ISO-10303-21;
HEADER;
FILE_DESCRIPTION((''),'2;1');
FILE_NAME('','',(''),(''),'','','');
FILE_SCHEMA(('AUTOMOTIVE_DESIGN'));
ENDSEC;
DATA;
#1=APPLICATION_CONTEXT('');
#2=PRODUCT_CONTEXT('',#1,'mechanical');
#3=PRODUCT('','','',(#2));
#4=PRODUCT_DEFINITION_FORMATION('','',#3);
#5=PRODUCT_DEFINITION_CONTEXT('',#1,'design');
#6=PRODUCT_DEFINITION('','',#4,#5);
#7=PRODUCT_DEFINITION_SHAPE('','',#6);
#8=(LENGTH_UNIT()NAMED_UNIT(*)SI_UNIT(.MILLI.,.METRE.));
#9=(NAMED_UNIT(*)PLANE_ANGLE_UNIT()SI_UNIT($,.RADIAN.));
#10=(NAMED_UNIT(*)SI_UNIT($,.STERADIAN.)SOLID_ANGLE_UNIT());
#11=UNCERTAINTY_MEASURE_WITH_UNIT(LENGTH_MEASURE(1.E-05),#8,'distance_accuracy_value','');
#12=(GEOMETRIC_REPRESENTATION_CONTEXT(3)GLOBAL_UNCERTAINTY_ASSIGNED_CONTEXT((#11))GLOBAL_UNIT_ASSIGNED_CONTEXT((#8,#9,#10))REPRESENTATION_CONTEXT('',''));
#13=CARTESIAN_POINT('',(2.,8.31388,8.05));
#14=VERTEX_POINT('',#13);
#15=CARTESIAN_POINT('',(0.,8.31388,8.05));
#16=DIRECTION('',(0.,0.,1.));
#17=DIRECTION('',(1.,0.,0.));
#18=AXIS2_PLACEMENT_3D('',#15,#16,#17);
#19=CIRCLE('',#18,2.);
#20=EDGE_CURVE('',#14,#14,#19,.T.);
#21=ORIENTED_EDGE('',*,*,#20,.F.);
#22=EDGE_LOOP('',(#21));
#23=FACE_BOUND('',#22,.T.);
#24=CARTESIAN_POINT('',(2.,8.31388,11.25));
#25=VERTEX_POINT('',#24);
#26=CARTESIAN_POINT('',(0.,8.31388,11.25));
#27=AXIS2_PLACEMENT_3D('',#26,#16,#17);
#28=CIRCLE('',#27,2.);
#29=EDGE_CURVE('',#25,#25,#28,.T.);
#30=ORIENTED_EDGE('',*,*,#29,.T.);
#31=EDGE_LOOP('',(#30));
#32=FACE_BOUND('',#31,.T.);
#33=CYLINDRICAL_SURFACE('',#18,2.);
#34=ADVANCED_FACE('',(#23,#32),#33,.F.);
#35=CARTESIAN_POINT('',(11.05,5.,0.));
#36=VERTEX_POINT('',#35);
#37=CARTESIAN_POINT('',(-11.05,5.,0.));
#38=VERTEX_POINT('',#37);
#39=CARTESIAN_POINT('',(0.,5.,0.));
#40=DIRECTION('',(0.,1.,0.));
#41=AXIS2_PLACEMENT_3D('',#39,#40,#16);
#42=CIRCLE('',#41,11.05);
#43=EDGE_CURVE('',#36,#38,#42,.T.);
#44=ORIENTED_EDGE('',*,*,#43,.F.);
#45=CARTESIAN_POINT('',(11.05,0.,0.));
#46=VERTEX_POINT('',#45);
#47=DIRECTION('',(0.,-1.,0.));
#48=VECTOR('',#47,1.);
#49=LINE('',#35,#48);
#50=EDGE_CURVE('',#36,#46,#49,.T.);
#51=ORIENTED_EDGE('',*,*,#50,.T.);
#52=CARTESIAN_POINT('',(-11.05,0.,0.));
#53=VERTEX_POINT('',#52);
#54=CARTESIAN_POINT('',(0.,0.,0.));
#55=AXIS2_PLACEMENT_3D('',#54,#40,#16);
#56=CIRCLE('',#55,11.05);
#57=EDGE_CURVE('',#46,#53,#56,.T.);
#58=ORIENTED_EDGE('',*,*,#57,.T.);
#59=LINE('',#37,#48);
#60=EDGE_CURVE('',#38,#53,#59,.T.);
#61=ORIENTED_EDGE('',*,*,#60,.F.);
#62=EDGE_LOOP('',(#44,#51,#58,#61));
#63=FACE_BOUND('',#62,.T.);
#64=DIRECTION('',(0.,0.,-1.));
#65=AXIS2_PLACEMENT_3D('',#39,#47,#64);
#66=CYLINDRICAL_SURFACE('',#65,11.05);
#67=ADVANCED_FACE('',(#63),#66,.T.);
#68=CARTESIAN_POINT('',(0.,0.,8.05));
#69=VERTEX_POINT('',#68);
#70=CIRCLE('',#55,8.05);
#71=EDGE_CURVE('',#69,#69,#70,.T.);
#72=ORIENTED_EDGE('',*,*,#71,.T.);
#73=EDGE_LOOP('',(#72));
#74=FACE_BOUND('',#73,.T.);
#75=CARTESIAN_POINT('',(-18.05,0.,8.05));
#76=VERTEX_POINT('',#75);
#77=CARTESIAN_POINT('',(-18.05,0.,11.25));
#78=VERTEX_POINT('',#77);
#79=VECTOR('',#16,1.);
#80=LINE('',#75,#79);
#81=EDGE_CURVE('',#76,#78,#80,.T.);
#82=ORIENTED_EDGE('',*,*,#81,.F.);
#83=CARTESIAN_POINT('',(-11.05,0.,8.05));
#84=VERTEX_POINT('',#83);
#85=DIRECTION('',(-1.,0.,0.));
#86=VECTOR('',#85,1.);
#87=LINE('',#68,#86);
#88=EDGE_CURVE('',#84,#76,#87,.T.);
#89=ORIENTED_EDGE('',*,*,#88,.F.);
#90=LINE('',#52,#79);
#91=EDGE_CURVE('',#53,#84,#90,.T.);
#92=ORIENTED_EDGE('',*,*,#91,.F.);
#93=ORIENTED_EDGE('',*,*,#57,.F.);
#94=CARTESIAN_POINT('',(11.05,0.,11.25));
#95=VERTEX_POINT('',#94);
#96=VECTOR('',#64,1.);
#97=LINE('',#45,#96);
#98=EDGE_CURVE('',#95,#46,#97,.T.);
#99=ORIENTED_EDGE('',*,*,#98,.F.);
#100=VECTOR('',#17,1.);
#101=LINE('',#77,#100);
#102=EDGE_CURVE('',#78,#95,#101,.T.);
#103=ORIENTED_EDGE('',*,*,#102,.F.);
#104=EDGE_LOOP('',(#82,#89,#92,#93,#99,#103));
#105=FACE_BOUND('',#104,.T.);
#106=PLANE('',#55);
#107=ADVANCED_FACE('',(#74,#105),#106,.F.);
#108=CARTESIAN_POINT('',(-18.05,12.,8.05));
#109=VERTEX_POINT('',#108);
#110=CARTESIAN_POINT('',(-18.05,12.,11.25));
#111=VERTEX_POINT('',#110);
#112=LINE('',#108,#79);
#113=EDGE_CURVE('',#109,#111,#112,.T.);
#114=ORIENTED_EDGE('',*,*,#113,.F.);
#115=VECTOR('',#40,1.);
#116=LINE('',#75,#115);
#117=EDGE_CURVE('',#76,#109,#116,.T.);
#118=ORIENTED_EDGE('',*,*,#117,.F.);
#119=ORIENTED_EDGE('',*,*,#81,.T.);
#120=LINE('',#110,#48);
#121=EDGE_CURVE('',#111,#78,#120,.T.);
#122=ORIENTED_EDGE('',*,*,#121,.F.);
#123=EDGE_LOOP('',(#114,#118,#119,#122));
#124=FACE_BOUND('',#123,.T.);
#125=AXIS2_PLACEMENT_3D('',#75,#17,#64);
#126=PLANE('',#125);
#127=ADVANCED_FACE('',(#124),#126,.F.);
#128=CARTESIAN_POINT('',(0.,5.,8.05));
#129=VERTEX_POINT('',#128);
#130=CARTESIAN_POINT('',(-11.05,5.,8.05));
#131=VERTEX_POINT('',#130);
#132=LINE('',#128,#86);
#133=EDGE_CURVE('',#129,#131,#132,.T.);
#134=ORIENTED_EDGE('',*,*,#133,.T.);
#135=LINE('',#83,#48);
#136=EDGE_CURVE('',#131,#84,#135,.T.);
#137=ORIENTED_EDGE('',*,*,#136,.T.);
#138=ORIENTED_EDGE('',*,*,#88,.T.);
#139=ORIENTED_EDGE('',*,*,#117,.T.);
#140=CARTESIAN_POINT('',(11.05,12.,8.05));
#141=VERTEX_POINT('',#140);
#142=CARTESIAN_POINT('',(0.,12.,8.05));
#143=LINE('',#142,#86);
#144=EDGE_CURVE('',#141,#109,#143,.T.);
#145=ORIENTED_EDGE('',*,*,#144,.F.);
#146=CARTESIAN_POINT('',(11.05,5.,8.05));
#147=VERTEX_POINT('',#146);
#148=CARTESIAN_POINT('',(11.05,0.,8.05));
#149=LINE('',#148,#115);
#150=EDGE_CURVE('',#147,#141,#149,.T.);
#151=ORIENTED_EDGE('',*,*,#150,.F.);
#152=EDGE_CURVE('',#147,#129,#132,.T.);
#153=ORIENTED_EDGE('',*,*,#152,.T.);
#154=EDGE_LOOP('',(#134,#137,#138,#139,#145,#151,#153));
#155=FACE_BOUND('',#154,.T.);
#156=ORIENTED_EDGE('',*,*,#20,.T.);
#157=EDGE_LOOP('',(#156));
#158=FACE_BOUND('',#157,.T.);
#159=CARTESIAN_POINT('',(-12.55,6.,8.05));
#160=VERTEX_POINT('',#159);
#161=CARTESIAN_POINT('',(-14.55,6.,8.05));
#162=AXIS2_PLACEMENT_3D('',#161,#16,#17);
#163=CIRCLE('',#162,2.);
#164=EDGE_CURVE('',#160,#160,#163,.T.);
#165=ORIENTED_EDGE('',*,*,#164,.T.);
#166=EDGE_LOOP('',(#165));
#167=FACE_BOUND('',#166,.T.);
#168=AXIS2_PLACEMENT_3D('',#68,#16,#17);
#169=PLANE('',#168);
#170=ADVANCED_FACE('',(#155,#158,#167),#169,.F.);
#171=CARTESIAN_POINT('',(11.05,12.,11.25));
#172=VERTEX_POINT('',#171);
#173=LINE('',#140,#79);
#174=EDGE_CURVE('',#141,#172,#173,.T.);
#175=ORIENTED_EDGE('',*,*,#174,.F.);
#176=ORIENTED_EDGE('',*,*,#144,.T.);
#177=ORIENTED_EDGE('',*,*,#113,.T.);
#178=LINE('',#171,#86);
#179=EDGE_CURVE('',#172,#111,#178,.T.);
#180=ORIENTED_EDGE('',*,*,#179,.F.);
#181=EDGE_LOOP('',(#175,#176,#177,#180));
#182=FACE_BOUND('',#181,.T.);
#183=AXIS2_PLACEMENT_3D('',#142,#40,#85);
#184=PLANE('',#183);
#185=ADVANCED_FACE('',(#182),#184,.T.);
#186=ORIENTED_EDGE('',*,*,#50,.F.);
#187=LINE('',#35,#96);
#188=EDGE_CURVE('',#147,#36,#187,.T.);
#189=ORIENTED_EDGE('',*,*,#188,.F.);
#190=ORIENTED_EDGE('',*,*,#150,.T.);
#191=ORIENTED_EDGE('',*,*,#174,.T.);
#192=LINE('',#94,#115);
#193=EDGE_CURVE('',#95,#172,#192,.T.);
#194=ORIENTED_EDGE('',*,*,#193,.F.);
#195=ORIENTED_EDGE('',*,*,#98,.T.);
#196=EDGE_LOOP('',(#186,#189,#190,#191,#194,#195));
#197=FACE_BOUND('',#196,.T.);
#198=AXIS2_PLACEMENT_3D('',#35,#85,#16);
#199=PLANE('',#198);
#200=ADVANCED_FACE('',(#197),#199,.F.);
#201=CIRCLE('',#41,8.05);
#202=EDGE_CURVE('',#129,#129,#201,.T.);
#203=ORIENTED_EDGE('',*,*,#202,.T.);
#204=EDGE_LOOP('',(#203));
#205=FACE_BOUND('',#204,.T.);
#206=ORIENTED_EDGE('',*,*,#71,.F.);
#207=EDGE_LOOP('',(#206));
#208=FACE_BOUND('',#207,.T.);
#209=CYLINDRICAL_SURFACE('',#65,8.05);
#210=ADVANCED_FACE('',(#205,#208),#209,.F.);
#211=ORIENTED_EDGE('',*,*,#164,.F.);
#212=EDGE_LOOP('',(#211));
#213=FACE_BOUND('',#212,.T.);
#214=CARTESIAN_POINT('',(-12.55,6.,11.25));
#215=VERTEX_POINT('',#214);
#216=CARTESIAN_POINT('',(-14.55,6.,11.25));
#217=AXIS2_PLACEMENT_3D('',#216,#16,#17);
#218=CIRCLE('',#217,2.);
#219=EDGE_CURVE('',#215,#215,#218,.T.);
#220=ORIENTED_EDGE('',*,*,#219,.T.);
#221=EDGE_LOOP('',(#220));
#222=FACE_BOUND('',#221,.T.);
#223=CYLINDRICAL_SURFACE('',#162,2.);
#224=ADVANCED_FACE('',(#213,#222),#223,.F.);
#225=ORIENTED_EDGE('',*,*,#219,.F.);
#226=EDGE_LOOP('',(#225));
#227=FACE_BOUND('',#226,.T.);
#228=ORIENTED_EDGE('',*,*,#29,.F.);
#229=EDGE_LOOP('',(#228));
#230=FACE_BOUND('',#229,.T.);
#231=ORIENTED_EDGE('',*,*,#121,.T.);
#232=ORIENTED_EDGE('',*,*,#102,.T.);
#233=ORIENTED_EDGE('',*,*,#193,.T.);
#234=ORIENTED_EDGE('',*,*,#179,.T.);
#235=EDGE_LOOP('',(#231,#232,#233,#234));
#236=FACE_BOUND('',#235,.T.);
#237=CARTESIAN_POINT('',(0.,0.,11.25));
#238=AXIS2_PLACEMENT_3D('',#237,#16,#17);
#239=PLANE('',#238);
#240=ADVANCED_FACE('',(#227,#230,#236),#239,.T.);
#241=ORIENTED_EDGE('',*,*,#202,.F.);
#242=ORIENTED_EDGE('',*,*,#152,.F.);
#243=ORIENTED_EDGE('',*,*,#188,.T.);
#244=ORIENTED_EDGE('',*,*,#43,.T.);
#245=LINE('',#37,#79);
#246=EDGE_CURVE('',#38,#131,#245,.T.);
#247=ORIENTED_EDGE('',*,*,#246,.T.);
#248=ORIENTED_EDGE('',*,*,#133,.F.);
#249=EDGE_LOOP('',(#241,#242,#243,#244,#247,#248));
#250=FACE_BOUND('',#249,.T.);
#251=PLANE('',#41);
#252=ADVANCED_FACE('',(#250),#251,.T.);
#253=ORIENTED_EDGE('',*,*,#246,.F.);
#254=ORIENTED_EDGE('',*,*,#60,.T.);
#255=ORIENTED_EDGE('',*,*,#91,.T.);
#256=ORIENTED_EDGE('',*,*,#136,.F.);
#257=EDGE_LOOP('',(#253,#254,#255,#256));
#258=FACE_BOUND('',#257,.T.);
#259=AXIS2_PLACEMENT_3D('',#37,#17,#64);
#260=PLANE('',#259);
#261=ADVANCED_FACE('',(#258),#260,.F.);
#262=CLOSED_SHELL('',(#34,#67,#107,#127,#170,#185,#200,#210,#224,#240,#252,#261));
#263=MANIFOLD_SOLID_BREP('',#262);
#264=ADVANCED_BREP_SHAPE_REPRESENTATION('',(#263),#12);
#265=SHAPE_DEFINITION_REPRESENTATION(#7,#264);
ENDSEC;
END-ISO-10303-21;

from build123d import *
from build123d.topology import SkipClean

# Parameters (mm, degrees)
SKETCH1_R           = 8.05
BOSS_EXTRUDE1_DEPTH = 5
BOSS_EXTRUDE2_DEPTH = 3
BOSS_EXTRUDE3_START = 0.2
SKETCH4_W           = 29.1
SKETCH4_H           = 12
SKETCH4_R           = 2
BOSS_EXTRUDE3_DEPTH = 0.2


with BuildPart() as part:
    # Sketch1 → Boss-Extrude1 (new body)
    with BuildSketch(Plane(origin=(0, 0, 0), x_dir=(1, 0, 0), z_dir=(0, 1, 0))):
        with BuildLine():
            Line((11.05, 0), (11.05, -11.05))
            Line((11.05, -11.05), (0, -11.05))
            Line((0, -11.05), (-11.05, -11.05))
            Line((-11.05, -11.05), (-11.05, 0))
            ThreePointArc((-11.05, 0), (0, 11.05), (11.05, 0))
        make_face()
        with Locations(Location((0, 0, 0), (0, 0, 270))):
            Circle(SKETCH1_R, mode=Mode.SUBTRACT)
    extrude(amount=BOSS_EXTRUDE1_DEPTH)

    # Sketch2 → Boss-Extrude2 (add)
    with BuildSketch(Plane.XY.offset(11.05)):
        with BuildLine():
            Line((-11.05, 0), (-11.05, 5))
            Line((-11.05, 5), (-11.05, 6))
            Line((-11.05, 6), (-12.55, 6))
            ThreePointArc((-12.55, 6), (-14.55, 4), (-16.55, 6))
            Line((-16.55, 6), (-18.05, 6))
            Line((-18.05, 6), (-18.05, 0))
            Line((-18.05, 0), (-11.05, 0))
        make_face()
        with BuildLine():
            Line((-12.55, 6), (-11.05, 6))
            Line((-11.05, 6), (-11.05, 12))
            Line((-11.05, 12), (-18.05, 12))
            Line((-18.05, 12), (-18.05, 6))
            Line((-18.05, 6), (-16.55, 6))
            ThreePointArc((-16.55, 6), (-14.55, 8), (-12.55, 6))
        make_face()
        with BuildLine():
            Line((-11.05, 5), (0, 5))
            Line((0, 5), (0, 6.313879641))
            ThreePointArc((0, 6.313879641), (-2, 8.313879641), (0, 10.313879641))
            Line((0, 10.313879641), (0, 12))
            Line((0, 12), (-11.05, 12))
            Line((-11.05, 12), (-11.05, 6))
            Line((-11.05, 6), (-11.05, 5))
        make_face()
        with BuildLine():
            Line((0, 6.313879641), (0, 5))
            Line((0, 5), (11.05, 5))
            Line((11.05, 5), (11.05, 12))
            Line((11.05, 12), (0, 12))
            Line((0, 12), (0, 10.313879641))
            ThreePointArc((0, 10.313879641), (1.414213562, 9.728093204), (2, 8.313879641))
            ThreePointArc((2, 8.313879641), (1.414213562, 6.899666079), (0, 6.313879641))
        make_face()
    extrude(amount=-BOSS_EXTRUDE2_DEPTH)

    # Sketch4 → Boss-Extrude3 (add)
    with SkipClean():  # the faces are left unmerged after this step: merging them gives an invalid solid
        with BuildSketch(Plane.XY.offset(11.05).offset(BOSS_EXTRUDE3_START)):
            with Locations((-3.5, 6)):
                Rectangle(SKETCH4_W, SKETCH4_H)
            with Locations((0, 8.313879641)):
                Circle(SKETCH4_R, mode=Mode.SUBTRACT)
            with Locations((-14.55, 6)):
                Circle(SKETCH4_R, mode=Mode.SUBTRACT)
        extrude(amount=-BOSS_EXTRUDE3_DEPTH)


solid = part.part
